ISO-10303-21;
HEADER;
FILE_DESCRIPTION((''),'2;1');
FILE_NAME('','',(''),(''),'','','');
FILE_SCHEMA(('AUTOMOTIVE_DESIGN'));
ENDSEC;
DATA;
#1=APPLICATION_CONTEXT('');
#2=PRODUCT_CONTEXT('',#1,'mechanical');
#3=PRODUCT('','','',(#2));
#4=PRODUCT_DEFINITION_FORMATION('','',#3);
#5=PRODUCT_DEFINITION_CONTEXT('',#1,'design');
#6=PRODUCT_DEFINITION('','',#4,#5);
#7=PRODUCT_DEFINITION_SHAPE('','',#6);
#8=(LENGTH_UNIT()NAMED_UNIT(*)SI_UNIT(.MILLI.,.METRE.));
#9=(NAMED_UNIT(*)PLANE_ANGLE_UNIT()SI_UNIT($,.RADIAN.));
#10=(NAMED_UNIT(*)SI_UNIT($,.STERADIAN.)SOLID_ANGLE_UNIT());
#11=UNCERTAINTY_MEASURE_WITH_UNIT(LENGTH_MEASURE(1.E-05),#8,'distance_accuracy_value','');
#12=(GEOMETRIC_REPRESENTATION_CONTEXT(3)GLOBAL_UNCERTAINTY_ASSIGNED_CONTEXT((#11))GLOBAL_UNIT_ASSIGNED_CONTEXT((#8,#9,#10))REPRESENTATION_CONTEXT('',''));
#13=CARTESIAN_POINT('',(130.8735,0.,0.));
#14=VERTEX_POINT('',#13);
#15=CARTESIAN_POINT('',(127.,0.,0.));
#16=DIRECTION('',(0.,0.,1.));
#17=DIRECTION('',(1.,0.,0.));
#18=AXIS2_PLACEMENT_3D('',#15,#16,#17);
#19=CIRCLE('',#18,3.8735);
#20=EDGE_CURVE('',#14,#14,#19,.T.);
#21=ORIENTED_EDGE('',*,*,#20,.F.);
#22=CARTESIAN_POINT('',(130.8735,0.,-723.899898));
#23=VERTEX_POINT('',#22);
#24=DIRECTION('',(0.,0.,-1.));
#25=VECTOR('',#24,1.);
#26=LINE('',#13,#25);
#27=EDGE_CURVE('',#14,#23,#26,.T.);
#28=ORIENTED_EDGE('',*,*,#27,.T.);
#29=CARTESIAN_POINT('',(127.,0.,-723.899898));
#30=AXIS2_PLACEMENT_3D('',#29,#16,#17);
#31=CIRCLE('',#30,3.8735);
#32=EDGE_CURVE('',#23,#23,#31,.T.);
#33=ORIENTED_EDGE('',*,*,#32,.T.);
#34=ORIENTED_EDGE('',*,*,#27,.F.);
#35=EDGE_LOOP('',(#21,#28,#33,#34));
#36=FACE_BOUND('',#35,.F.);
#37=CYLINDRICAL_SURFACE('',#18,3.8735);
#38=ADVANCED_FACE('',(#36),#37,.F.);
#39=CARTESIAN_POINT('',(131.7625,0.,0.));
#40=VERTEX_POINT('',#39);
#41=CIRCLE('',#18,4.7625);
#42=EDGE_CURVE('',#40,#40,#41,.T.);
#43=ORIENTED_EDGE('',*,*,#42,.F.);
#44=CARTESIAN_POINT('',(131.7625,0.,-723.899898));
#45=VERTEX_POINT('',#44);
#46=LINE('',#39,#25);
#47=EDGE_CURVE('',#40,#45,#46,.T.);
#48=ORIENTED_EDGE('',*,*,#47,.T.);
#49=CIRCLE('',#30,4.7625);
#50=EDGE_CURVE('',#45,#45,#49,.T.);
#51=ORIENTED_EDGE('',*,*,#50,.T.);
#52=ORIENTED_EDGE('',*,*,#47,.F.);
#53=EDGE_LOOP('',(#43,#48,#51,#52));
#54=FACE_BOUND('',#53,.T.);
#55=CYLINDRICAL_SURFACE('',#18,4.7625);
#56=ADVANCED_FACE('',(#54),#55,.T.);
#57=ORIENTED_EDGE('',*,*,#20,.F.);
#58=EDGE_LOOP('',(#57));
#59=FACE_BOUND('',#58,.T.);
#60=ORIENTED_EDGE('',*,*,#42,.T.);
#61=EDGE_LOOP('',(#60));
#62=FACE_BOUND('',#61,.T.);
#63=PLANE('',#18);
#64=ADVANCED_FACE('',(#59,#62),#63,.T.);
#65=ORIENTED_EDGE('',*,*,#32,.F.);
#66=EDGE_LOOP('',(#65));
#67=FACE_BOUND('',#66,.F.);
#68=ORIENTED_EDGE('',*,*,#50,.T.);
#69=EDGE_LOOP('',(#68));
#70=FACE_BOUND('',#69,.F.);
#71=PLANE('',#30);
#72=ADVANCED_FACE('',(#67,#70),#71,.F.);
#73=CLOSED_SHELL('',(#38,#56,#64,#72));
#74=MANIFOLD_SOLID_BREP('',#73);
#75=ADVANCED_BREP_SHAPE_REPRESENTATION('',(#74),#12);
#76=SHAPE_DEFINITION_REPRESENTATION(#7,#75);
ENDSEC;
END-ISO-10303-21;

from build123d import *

# Parameters (mm, degrees)
F1_R     = 4.7625
F1_R_2   = 3.8735
F2_DEPTH = 723.899898


with BuildPart() as f2:
    # F1 (on Top) → F2 (new body)
    with BuildSketch(Plane.XY):
        with Locations((127, 0)):
            Circle(F1_R)
        with Locations((127, 0)):
            Circle(F1_R_2, mode=Mode.SUBTRACT)
    extrude(amount=-F2_DEPTH)


solid = f2.part
